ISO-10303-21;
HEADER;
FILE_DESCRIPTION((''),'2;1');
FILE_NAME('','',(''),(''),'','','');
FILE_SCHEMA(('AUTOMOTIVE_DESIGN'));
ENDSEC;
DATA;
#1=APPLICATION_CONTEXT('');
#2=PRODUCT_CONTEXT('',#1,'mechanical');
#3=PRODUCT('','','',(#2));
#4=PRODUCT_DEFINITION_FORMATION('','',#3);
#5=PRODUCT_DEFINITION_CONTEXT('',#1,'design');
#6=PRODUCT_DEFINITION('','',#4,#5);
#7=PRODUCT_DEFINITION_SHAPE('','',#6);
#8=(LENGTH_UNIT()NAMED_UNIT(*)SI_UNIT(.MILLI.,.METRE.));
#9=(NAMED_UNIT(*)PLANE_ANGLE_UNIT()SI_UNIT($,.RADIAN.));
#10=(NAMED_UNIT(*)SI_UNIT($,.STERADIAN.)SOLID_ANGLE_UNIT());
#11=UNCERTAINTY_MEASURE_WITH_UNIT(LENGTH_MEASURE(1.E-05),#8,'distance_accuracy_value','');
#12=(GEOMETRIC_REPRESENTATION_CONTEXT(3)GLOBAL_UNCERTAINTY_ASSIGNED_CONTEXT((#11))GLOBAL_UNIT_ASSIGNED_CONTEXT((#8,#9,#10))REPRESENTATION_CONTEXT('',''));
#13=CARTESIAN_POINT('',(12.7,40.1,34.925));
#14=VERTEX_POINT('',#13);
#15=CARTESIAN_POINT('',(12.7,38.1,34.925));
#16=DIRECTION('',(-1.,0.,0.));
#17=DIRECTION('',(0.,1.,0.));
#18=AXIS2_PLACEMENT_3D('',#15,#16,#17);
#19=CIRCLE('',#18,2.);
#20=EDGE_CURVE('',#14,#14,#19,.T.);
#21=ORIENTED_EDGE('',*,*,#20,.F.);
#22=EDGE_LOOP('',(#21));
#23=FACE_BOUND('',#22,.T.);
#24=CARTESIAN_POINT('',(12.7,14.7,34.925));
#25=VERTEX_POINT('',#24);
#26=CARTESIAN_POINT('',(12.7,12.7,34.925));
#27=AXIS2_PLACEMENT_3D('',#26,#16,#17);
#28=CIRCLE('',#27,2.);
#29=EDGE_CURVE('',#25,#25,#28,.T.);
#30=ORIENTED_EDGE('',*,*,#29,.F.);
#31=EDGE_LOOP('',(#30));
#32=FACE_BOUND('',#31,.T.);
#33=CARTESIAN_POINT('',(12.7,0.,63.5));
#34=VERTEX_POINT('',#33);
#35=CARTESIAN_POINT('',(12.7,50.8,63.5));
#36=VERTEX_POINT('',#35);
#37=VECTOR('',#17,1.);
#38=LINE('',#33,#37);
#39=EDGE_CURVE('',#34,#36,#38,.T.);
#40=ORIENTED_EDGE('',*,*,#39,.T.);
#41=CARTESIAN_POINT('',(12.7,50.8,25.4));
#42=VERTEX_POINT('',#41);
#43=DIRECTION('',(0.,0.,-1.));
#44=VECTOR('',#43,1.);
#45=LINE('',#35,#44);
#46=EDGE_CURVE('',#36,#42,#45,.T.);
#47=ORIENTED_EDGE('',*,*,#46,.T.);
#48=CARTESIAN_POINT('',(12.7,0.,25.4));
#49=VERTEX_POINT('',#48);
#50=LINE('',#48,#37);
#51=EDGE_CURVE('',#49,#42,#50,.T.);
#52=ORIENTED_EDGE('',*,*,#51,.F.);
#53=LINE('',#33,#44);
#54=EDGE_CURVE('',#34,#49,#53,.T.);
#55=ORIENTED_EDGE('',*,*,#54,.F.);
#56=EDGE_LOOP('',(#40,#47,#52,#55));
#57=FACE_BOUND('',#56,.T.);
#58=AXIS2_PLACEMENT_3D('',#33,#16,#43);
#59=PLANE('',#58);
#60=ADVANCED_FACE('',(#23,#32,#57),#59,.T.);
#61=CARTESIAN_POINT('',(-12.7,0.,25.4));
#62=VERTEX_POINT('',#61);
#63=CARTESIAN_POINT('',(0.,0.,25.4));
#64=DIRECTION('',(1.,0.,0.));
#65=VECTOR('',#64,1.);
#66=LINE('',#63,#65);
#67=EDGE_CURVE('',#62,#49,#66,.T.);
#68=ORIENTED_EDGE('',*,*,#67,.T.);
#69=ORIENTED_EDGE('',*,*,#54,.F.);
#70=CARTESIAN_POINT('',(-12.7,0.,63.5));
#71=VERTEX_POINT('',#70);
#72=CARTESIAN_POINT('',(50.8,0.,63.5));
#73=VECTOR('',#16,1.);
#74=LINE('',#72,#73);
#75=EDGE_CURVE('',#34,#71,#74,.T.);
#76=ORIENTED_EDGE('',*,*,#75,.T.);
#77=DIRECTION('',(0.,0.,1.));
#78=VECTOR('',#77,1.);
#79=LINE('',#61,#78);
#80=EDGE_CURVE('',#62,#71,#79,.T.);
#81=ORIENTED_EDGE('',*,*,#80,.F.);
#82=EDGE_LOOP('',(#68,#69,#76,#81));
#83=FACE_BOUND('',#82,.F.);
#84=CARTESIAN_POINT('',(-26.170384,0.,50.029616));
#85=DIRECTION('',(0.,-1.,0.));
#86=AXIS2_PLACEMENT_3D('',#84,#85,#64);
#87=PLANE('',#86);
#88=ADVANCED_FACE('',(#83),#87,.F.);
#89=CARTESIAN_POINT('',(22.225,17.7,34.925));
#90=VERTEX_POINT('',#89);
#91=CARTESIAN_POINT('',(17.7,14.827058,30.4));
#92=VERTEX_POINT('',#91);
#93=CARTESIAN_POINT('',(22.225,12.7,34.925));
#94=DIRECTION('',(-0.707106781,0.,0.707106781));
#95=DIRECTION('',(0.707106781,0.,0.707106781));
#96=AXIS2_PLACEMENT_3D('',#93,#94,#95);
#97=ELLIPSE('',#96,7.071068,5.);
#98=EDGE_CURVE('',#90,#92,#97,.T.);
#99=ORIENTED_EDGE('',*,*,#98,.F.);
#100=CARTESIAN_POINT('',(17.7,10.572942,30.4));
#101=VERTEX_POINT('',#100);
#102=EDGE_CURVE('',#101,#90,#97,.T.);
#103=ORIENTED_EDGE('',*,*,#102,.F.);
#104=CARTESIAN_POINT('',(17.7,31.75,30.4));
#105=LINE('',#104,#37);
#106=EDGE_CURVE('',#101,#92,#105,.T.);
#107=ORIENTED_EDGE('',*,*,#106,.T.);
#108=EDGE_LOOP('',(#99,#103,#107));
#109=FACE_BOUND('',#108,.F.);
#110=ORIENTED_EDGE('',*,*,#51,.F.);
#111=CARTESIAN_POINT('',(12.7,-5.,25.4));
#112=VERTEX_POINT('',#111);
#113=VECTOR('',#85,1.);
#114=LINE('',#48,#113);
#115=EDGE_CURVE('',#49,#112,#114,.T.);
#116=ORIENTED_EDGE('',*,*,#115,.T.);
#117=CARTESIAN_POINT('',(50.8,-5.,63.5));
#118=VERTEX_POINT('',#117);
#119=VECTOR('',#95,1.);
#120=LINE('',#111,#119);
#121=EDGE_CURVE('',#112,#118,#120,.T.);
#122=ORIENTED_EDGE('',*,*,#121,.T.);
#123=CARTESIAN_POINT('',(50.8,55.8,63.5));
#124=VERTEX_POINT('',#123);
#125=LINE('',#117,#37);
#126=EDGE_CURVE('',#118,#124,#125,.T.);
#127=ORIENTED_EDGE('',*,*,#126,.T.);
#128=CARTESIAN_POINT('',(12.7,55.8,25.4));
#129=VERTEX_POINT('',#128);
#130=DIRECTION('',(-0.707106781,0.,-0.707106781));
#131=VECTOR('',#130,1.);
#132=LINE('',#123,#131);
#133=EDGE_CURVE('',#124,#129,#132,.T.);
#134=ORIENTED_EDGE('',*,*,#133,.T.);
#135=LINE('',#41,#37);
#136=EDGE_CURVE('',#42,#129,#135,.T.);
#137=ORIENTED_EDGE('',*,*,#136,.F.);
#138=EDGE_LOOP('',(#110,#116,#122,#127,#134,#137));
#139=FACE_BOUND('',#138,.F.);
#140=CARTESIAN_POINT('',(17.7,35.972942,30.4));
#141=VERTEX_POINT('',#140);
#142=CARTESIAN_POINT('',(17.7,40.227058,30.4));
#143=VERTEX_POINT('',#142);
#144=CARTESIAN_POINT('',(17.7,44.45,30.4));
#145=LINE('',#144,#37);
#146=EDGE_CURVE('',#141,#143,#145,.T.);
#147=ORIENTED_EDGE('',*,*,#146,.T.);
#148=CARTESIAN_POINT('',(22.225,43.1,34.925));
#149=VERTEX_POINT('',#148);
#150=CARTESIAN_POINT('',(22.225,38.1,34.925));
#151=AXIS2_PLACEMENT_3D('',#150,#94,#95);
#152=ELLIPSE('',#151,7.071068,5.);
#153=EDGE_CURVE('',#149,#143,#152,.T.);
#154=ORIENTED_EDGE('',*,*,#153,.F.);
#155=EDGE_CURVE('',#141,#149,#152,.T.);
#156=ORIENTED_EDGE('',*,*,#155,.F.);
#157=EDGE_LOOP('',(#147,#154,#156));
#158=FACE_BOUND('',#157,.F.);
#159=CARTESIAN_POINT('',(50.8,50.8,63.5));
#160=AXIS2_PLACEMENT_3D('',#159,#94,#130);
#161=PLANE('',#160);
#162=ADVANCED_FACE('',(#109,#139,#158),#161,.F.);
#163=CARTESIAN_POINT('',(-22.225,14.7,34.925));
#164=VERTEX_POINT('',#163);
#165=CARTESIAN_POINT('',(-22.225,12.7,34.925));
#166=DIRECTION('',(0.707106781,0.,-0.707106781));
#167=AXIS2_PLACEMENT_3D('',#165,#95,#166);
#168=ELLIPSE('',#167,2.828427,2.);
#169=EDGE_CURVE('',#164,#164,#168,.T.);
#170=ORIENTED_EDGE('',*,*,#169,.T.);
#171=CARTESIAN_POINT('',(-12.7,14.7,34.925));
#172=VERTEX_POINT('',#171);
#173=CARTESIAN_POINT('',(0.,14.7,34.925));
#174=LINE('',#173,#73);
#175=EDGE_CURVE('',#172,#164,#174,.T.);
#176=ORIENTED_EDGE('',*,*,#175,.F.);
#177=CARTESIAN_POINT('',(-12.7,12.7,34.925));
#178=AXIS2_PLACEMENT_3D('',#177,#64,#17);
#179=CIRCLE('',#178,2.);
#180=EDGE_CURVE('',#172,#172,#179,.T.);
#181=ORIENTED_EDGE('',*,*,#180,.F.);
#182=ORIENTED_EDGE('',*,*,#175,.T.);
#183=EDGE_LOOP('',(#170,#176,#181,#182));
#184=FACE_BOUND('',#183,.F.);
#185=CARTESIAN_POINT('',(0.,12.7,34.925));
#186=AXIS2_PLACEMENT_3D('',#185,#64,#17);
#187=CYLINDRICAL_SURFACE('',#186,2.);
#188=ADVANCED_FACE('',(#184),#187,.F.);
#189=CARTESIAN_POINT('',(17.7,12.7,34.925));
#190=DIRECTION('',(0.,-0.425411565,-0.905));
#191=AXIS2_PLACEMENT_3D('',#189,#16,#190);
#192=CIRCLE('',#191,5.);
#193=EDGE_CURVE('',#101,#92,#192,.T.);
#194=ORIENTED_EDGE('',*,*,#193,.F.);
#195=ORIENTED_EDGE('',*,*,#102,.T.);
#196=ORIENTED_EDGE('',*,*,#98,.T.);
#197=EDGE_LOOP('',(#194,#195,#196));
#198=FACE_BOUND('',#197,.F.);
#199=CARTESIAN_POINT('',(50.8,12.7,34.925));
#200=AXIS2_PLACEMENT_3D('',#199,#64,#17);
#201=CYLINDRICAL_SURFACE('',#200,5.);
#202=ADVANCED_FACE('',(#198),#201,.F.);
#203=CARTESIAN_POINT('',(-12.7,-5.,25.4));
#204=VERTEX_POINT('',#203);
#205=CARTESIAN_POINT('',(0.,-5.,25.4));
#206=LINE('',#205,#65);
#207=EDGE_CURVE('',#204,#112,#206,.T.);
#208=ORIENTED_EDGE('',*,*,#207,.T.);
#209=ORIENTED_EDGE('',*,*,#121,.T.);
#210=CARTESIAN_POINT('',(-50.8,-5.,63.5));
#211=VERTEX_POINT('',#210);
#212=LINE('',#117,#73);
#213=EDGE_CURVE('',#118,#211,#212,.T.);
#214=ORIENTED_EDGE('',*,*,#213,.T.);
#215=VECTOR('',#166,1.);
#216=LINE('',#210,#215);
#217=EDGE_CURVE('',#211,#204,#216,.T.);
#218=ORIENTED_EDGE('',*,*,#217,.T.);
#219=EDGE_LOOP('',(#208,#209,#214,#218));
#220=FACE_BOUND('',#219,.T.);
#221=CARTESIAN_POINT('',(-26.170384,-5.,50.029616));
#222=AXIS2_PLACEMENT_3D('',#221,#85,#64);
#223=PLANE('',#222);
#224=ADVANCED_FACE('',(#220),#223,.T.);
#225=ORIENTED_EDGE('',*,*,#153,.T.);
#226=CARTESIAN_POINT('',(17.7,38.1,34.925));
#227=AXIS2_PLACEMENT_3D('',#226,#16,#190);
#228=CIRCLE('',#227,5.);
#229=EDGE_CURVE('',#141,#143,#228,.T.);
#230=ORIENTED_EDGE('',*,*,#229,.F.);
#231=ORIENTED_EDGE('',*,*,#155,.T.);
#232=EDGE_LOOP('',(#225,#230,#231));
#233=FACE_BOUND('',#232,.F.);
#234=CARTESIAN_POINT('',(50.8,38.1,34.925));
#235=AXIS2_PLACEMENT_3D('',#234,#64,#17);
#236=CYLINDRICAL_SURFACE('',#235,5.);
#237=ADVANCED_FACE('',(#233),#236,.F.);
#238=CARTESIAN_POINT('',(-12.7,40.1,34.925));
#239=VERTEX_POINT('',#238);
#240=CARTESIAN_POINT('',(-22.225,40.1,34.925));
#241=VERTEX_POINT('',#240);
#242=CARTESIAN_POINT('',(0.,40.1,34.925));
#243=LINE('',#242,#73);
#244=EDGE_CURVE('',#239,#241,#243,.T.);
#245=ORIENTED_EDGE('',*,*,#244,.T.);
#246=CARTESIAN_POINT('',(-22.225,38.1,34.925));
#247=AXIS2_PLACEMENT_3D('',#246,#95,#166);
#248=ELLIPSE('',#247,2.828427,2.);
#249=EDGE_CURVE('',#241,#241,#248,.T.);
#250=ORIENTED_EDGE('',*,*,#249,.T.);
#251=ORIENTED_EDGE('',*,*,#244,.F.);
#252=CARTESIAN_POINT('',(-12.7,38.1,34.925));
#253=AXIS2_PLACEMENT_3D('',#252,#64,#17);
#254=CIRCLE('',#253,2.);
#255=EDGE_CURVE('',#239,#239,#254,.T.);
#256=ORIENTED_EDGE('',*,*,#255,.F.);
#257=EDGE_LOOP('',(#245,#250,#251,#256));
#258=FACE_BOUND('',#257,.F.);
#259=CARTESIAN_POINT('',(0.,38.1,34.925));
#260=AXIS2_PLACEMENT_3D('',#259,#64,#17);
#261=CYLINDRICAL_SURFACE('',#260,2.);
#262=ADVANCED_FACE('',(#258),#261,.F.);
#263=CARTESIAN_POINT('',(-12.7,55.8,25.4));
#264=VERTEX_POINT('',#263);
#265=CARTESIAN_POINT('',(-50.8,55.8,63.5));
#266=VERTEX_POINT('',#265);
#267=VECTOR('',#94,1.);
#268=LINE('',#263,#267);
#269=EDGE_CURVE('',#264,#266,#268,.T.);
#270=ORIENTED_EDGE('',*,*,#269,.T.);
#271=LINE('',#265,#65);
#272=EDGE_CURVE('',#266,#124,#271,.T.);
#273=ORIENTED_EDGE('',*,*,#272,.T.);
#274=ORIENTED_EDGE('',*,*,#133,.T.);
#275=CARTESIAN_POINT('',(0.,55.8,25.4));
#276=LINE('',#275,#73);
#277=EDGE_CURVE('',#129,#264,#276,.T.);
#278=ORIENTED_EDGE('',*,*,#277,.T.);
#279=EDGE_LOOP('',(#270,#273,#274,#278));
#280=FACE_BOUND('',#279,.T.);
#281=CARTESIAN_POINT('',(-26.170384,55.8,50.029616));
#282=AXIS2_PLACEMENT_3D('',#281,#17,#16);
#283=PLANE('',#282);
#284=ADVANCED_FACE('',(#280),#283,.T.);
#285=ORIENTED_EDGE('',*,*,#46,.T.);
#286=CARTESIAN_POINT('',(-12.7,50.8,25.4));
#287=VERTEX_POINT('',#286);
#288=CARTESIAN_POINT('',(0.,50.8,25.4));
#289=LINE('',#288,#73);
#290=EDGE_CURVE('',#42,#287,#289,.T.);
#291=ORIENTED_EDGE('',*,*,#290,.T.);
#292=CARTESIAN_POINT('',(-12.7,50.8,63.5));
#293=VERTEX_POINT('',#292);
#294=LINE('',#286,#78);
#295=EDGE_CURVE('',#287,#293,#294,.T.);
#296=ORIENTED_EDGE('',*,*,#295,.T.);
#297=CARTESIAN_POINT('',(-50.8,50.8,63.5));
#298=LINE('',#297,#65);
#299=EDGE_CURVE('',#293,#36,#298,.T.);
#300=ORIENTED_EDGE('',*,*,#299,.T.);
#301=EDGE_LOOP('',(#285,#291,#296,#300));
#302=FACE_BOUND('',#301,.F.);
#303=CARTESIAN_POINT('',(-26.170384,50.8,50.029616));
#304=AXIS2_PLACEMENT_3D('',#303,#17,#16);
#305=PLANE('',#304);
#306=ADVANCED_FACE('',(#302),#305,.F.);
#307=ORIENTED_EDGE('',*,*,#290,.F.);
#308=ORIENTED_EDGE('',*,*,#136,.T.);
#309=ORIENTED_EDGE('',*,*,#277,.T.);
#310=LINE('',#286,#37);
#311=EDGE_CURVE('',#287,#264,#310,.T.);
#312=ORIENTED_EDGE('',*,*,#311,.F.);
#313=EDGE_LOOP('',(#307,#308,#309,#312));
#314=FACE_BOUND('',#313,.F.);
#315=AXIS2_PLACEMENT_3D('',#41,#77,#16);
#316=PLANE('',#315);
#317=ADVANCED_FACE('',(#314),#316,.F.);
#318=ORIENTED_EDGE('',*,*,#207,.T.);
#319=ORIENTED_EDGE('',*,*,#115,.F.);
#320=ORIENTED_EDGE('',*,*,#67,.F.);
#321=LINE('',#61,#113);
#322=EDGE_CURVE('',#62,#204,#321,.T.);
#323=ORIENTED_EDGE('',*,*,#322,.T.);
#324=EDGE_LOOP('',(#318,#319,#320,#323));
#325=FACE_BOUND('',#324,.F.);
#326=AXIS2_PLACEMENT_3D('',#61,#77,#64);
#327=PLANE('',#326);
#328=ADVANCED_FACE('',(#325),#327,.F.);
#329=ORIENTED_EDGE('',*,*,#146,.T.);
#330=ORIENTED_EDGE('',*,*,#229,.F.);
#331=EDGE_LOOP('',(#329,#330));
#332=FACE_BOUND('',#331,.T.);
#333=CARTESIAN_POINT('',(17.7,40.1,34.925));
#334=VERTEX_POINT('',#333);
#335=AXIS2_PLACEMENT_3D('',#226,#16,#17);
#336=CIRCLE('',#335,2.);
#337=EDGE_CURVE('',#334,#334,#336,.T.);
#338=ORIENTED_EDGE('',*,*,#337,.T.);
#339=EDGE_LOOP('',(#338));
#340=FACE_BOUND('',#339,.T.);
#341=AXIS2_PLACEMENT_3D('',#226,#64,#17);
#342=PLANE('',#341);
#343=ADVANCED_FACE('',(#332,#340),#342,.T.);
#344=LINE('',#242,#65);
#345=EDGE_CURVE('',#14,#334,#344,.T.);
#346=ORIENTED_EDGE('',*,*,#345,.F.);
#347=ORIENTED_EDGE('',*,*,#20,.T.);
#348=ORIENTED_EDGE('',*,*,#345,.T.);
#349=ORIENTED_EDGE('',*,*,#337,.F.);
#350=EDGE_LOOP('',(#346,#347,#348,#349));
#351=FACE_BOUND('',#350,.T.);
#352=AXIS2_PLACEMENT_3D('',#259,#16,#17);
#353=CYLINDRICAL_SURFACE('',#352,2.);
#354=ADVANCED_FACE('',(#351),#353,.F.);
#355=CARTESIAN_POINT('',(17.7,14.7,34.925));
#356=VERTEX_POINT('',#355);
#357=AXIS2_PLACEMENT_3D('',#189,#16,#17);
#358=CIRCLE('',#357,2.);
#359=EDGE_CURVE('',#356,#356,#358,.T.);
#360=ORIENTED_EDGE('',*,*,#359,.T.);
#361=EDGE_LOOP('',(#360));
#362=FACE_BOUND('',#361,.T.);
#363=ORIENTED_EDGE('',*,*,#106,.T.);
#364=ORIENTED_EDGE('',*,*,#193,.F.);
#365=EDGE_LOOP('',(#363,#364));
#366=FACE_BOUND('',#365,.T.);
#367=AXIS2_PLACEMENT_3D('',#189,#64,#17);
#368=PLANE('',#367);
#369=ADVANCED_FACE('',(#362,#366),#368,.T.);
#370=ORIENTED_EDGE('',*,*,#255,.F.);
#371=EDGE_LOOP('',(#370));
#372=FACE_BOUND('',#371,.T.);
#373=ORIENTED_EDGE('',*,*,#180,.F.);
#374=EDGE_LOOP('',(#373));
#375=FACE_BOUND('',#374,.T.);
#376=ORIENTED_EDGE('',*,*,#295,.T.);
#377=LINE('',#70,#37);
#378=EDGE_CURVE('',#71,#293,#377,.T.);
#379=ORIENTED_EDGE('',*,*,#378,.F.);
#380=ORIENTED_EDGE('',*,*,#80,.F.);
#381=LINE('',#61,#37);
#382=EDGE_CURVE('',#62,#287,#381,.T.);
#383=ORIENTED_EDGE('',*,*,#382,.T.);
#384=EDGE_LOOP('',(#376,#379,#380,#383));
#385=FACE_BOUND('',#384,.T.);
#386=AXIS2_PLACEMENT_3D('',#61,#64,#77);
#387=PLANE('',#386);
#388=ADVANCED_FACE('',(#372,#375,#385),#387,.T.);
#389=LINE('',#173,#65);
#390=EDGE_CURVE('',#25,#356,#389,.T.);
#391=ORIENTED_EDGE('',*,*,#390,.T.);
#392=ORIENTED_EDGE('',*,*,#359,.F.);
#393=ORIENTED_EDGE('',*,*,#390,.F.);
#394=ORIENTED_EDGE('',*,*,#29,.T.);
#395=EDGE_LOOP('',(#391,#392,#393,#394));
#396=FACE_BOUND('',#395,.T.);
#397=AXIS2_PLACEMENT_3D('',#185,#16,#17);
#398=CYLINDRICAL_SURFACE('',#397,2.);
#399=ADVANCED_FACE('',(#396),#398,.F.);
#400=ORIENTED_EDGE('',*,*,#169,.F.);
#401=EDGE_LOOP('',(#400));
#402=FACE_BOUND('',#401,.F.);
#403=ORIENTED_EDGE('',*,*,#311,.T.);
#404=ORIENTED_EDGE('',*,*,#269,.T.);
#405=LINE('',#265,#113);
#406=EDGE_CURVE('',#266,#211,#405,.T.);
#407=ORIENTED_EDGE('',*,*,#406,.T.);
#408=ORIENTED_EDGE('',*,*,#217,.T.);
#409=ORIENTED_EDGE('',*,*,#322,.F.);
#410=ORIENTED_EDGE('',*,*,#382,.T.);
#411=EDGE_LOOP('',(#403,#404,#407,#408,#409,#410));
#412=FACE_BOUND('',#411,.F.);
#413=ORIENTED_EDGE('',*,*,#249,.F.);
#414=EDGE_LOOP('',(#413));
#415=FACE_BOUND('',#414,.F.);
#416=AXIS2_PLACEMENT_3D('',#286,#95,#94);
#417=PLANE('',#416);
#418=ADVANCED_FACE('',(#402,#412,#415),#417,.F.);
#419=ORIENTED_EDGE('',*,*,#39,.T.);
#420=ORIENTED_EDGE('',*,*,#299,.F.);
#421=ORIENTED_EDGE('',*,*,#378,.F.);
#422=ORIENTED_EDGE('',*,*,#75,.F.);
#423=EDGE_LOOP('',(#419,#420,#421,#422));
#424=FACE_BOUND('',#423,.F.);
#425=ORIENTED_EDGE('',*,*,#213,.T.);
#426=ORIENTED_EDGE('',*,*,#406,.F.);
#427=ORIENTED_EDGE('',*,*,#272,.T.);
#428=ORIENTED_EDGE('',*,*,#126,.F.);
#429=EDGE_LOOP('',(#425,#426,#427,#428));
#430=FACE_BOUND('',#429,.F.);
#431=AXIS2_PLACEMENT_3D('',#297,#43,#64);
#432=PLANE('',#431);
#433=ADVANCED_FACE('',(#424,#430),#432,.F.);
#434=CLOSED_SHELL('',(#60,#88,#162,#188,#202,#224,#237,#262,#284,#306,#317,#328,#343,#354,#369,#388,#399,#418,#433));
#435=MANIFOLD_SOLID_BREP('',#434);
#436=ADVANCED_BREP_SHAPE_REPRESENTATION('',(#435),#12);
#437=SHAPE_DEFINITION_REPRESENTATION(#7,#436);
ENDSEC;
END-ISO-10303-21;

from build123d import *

# Parameters (mm, degrees)
F0_W          = 25.4
F0_H          = 38.1
F1_DEPTH      = 5
F2_DEPTH      = 50.8
F3_W          = 25.4
F3_H          = 38.1
F4_DEPTH      = 5
F5_R          = 2
F6_DEPTH      = 50.801
F6_DEPTH_BACK = 50.801
F8_R          = 5
F9_DEPTH      = 33.1


with BuildPart() as f1:
    # F0 (on Front) → F1 (new body)
    with BuildSketch(Plane.XZ):
        Polygon((-12.7, 63.5), (-50.8, 63.5), (-12.7, 25.4), align=None)
        with Locations((0, 44.45)):
            Rectangle(F0_W, F0_H)
        Polygon((12.7, 63.5), (12.7, 25.4), (50.8, 63.5), align=None)
    extrude(amount=F1_DEPTH)

    # F0 (on Front) → F2 (join)
    with BuildSketch(Plane.XZ):
        Polygon((12.7, 63.5), (12.7, 25.4), (50.8, 63.5), align=None)
        Polygon((-12.7, 63.5), (-50.8, 63.5), (-12.7, 25.4), align=None)
    extrude(amount=-F2_DEPTH)

    # F3 (on face) → F4 (join)
    with BuildSketch(Plane(origin=(0, 50.8, 0), x_dir=(-1, 0, 0), z_dir=(0, 1, 0))):
        Polygon((50.8, 63.5), (12.7, 63.5), (12.7, 25.4), align=None)
        with Locations((0, 44.45)):
            Rectangle(F3_W, F3_H)
        Polygon((-12.7, 25.4), (-12.7, 63.5), (-50.8, 63.5), align=None)
    extrude(amount=F4_DEPTH)

    # F5 (on Right) → F6 (cut, two sides)
    with BuildSketch(Plane.YZ) as f6_sk:
        with Locations((38.1, 34.925)):
            Circle(F5_R)
        with Locations((12.7, 34.925)):
            Circle(F5_R)
    extrude(amount=-F6_DEPTH, mode=Mode.SUBTRACT)
    extrude(f6_sk.sketch, amount=F6_DEPTH_BACK, mode=Mode.SUBTRACT)

    # F8 (on offset) → F9 (cut, through all)
    with BuildSketch(Plane.YZ.offset(50.8)):
        with Locations((38.1, 34.925)):
            Circle(F8_R)
        with Locations((12.7, 34.925)):
            Circle(F8_R)
    extrude(amount=-F9_DEPTH, mode=Mode.SUBTRACT)


solid = f1.part
